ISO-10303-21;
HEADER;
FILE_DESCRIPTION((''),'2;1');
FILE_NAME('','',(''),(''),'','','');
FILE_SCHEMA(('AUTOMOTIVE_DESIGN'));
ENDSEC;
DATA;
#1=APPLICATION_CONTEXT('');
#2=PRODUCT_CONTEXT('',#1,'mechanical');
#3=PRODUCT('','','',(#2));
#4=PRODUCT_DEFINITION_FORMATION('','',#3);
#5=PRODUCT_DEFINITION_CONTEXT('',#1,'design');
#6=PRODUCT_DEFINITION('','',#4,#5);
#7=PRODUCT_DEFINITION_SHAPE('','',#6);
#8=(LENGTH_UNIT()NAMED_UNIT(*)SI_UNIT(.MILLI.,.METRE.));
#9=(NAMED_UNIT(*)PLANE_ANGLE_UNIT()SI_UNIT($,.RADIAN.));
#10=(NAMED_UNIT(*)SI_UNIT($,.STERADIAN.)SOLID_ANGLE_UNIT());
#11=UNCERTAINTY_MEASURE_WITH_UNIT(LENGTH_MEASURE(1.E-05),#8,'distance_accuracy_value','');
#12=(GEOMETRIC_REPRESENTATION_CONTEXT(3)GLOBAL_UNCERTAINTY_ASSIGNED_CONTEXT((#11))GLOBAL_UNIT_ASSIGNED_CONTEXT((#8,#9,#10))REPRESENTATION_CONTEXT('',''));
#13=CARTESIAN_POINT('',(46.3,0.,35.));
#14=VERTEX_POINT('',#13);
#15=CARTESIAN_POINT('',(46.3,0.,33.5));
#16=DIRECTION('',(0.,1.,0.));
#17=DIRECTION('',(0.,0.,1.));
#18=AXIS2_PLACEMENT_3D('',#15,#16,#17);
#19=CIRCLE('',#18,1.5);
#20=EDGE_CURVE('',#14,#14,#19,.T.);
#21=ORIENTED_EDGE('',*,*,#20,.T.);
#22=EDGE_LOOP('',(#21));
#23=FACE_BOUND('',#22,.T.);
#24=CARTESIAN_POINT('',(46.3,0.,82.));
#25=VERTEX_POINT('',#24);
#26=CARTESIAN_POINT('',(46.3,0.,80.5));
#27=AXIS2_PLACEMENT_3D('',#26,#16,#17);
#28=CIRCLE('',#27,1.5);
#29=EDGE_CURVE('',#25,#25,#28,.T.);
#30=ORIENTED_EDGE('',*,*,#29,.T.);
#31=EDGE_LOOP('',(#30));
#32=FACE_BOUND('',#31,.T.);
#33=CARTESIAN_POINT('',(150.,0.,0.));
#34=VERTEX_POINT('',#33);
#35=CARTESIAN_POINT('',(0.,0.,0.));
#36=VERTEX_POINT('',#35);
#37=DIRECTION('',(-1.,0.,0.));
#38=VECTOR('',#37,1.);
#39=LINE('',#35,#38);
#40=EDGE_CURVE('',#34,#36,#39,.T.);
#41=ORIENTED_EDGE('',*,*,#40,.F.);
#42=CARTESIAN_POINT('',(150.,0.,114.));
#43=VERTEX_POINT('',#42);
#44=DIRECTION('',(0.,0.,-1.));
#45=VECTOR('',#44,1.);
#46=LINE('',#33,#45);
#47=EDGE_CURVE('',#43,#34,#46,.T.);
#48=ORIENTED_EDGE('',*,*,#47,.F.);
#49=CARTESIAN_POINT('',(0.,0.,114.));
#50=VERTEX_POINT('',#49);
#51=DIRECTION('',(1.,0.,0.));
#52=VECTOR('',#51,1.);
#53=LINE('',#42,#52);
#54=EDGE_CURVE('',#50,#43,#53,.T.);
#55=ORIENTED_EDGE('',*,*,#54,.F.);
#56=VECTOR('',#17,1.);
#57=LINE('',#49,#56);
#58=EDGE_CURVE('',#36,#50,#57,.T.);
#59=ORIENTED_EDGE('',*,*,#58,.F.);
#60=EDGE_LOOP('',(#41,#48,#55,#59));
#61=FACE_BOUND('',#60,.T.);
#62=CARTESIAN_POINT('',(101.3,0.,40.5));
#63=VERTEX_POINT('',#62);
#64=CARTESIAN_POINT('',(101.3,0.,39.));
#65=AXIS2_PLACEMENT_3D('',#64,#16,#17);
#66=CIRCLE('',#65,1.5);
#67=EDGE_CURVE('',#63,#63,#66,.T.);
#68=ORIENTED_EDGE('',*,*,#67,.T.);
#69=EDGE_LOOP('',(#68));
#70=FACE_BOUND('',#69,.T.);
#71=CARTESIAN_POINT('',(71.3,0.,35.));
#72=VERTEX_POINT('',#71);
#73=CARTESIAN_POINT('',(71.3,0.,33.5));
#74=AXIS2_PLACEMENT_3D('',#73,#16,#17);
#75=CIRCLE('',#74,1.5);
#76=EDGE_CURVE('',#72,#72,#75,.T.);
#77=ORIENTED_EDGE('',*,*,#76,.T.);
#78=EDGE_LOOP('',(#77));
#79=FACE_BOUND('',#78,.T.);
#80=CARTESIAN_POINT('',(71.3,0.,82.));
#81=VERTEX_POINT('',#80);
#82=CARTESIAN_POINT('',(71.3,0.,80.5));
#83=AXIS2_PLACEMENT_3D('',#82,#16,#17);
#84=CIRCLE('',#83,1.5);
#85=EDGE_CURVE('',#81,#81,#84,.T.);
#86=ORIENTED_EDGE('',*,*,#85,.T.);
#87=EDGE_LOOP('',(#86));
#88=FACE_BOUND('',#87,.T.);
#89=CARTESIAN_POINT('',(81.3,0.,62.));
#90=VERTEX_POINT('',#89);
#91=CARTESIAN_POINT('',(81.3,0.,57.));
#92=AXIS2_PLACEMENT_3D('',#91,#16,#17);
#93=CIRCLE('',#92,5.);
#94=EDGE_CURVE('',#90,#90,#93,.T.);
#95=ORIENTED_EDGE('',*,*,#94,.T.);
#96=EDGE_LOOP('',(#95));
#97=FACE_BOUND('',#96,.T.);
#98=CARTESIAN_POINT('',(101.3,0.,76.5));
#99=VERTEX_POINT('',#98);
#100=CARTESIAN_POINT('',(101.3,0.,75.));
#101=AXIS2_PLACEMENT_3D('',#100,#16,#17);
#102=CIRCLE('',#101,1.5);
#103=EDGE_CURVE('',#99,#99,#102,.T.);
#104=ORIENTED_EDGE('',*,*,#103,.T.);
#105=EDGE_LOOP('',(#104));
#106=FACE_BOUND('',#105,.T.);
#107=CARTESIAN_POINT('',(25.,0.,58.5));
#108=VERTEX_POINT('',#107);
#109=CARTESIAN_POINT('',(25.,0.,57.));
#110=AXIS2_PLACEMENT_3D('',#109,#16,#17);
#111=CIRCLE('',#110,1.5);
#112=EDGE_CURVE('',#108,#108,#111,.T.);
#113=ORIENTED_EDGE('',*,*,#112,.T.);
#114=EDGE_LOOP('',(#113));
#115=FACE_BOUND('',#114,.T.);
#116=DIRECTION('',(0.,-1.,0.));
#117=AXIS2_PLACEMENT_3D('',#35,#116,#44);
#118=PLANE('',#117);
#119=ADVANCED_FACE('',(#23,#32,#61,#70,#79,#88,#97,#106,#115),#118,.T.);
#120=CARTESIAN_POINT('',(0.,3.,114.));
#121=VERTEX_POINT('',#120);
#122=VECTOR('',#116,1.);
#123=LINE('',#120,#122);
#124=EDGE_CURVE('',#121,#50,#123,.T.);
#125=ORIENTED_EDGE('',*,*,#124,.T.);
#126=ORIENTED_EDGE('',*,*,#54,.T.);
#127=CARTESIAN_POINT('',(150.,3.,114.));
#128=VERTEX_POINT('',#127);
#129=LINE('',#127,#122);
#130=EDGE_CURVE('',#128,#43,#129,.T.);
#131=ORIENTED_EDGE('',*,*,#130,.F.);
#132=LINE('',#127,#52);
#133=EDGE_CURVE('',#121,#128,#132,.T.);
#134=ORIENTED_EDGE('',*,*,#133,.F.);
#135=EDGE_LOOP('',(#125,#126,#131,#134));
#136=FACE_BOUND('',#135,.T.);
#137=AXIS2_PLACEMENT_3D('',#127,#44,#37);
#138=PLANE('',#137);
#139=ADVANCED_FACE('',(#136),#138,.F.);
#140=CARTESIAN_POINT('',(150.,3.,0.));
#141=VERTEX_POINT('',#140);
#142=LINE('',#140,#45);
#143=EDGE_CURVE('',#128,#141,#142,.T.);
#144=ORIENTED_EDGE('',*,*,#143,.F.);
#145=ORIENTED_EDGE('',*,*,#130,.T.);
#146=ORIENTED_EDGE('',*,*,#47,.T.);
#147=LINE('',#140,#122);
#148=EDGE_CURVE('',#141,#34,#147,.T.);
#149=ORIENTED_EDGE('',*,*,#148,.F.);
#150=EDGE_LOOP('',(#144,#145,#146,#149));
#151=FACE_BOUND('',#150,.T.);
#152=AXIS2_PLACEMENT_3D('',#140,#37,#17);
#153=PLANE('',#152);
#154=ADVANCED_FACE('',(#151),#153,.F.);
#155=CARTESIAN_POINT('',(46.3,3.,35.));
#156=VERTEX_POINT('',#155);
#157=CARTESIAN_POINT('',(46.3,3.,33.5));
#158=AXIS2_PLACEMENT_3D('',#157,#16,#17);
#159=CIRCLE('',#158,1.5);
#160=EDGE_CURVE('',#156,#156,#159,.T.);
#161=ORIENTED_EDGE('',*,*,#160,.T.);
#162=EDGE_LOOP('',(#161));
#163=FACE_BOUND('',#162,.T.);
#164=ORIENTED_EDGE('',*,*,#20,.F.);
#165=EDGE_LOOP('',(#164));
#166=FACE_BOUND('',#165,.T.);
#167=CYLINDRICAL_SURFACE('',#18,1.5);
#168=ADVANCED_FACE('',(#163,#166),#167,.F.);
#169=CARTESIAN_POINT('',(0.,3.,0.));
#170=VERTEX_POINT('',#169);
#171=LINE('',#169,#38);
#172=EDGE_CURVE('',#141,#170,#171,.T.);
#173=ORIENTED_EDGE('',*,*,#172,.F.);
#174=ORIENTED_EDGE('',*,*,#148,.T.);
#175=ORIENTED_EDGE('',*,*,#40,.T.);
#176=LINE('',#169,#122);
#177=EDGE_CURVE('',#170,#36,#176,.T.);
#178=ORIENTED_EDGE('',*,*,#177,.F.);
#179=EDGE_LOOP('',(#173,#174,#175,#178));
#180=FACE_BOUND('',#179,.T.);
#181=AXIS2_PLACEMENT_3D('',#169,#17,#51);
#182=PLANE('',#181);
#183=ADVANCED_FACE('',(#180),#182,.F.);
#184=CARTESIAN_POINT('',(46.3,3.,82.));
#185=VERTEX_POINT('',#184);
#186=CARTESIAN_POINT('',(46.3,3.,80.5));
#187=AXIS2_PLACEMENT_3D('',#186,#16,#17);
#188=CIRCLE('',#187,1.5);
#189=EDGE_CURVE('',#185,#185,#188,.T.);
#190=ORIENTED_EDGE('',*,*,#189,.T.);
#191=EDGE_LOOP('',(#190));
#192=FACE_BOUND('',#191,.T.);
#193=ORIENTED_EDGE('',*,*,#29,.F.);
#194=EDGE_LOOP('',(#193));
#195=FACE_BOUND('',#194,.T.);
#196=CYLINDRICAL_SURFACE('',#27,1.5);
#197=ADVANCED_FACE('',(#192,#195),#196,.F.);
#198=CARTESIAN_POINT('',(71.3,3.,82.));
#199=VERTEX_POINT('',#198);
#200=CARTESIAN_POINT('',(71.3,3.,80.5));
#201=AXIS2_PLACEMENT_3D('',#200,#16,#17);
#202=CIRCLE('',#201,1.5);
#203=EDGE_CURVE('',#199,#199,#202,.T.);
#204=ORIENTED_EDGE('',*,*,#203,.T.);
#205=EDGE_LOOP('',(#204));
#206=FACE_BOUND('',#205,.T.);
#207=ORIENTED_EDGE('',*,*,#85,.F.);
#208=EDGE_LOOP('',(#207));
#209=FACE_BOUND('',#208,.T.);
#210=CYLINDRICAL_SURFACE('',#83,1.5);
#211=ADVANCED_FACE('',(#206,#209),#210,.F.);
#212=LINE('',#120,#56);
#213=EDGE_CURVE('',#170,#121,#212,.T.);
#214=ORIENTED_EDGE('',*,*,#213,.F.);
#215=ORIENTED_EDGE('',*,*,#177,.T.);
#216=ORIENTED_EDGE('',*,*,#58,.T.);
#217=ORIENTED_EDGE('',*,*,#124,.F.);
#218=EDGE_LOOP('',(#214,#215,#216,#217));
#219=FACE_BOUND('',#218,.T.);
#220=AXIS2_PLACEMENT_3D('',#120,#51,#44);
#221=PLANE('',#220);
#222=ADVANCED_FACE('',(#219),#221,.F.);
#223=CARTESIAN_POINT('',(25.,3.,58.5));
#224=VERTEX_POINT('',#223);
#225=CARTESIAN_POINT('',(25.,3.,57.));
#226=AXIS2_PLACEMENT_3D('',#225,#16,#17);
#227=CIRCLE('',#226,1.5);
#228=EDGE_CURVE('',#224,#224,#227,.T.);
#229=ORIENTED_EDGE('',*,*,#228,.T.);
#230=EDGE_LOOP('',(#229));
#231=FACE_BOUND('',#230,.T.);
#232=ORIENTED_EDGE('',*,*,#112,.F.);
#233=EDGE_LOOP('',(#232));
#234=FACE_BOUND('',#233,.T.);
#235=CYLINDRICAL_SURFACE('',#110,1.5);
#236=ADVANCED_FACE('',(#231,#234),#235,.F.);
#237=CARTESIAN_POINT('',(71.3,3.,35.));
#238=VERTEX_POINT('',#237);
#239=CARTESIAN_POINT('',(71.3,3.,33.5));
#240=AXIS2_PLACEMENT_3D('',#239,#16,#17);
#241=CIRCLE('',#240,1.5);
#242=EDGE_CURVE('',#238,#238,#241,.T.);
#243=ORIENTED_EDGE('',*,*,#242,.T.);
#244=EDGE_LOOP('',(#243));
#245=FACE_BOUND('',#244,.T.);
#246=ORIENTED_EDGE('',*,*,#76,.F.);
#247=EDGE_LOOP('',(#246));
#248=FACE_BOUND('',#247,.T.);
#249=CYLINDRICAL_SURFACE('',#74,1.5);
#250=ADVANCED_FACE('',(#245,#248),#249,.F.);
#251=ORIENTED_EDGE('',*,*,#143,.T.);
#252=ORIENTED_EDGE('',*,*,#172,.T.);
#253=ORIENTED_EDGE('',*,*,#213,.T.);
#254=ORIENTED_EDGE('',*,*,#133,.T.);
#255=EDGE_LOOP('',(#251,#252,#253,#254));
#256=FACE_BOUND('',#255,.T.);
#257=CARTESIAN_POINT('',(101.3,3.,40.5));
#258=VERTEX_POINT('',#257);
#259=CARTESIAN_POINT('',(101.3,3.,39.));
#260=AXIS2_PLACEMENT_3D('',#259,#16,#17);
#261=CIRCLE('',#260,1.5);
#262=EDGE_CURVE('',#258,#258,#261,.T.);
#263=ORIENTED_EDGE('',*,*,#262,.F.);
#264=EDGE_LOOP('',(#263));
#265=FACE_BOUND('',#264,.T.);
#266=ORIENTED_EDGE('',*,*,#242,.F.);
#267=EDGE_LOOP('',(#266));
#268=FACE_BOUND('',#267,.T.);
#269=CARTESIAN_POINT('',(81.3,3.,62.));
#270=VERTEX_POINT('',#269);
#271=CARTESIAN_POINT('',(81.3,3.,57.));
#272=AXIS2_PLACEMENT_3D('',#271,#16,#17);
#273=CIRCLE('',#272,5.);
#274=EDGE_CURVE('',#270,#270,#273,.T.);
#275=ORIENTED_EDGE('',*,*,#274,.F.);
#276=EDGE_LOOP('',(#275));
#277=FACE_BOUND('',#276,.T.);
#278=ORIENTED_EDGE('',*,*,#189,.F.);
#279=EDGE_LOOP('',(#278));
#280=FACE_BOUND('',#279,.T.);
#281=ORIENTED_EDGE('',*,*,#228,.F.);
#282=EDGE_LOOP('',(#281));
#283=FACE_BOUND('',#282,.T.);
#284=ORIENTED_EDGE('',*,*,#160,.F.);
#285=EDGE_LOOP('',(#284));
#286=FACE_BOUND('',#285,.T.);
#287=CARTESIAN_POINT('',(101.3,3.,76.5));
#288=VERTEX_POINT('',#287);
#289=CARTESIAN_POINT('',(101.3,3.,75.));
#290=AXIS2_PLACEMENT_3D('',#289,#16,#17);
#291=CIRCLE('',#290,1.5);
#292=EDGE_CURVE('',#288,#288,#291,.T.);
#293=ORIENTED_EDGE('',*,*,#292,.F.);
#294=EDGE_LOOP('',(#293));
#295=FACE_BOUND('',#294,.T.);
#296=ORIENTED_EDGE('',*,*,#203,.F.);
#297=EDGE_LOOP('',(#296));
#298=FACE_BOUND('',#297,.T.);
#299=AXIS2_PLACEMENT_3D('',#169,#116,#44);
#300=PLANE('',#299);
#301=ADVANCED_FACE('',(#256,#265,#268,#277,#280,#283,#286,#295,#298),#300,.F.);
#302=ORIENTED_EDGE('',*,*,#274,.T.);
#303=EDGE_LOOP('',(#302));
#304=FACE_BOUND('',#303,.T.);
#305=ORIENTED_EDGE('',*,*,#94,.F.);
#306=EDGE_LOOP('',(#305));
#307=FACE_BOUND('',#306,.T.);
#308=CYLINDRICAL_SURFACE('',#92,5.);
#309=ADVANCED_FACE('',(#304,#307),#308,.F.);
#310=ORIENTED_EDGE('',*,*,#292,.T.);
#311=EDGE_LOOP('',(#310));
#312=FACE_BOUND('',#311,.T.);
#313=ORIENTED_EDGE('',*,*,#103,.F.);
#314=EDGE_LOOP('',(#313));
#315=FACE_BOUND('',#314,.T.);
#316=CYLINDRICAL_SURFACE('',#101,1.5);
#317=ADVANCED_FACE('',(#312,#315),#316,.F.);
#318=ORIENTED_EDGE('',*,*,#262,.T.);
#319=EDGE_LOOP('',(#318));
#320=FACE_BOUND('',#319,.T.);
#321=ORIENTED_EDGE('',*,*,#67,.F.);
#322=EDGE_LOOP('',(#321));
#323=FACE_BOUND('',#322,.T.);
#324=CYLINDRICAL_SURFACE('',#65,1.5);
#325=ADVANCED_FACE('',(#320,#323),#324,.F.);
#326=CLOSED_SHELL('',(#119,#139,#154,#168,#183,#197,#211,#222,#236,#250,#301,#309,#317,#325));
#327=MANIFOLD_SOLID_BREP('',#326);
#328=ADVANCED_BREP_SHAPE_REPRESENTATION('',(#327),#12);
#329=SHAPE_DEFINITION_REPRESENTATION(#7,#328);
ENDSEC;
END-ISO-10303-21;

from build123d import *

# Parameters (mm, degrees)
SKETCH_1_W          = 150
SKETCH_1_H          = 114
EXTRUDE_1_DEPTH     = 3
SKETCH_2_R          = 1.5
SKETCH_2_R_2        = 5
CUT_EXTRUDE_1_DEPTH = 3


with BuildPart() as part:
    # 草图1 → 凸台-拉伸1 (new body)
    with BuildSketch(Plane(origin=(0, 0, 0), x_dir=(1, 0, 0), z_dir=(0, 1, 0))):
        with Locations((75, -57)):
            Rectangle(SKETCH_1_W, SKETCH_1_H)
    extrude(amount=EXTRUDE_1_DEPTH)

    # 草图2 → 切除-拉伸1 (cut)
    with BuildSketch(Plane(origin=(0, 3, 0), x_dir=(1, 0, 0), z_dir=(0, 1, 0))):
        with Locations((25, -57)):
            Circle(SKETCH_2_R)
        with Locations((101.3, -75)):
            Circle(SKETCH_2_R)
        with Locations((101.3, -39)):
            Circle(SKETCH_2_R)
        with Locations((71.3, -80.5)):
            Circle(SKETCH_2_R)
        with Locations((46.3, -80.5)):
            Circle(SKETCH_2_R)
        with Locations((71.3, -33.5)):
            Circle(SKETCH_2_R)
        with Locations((46.3, -33.5)):
            Circle(SKETCH_2_R)
        with Locations((81.3, -57)):
            Circle(SKETCH_2_R_2)
    extrude(amount=-CUT_EXTRUDE_1_DEPTH, mode=Mode.SUBTRACT)


solid = part.part
